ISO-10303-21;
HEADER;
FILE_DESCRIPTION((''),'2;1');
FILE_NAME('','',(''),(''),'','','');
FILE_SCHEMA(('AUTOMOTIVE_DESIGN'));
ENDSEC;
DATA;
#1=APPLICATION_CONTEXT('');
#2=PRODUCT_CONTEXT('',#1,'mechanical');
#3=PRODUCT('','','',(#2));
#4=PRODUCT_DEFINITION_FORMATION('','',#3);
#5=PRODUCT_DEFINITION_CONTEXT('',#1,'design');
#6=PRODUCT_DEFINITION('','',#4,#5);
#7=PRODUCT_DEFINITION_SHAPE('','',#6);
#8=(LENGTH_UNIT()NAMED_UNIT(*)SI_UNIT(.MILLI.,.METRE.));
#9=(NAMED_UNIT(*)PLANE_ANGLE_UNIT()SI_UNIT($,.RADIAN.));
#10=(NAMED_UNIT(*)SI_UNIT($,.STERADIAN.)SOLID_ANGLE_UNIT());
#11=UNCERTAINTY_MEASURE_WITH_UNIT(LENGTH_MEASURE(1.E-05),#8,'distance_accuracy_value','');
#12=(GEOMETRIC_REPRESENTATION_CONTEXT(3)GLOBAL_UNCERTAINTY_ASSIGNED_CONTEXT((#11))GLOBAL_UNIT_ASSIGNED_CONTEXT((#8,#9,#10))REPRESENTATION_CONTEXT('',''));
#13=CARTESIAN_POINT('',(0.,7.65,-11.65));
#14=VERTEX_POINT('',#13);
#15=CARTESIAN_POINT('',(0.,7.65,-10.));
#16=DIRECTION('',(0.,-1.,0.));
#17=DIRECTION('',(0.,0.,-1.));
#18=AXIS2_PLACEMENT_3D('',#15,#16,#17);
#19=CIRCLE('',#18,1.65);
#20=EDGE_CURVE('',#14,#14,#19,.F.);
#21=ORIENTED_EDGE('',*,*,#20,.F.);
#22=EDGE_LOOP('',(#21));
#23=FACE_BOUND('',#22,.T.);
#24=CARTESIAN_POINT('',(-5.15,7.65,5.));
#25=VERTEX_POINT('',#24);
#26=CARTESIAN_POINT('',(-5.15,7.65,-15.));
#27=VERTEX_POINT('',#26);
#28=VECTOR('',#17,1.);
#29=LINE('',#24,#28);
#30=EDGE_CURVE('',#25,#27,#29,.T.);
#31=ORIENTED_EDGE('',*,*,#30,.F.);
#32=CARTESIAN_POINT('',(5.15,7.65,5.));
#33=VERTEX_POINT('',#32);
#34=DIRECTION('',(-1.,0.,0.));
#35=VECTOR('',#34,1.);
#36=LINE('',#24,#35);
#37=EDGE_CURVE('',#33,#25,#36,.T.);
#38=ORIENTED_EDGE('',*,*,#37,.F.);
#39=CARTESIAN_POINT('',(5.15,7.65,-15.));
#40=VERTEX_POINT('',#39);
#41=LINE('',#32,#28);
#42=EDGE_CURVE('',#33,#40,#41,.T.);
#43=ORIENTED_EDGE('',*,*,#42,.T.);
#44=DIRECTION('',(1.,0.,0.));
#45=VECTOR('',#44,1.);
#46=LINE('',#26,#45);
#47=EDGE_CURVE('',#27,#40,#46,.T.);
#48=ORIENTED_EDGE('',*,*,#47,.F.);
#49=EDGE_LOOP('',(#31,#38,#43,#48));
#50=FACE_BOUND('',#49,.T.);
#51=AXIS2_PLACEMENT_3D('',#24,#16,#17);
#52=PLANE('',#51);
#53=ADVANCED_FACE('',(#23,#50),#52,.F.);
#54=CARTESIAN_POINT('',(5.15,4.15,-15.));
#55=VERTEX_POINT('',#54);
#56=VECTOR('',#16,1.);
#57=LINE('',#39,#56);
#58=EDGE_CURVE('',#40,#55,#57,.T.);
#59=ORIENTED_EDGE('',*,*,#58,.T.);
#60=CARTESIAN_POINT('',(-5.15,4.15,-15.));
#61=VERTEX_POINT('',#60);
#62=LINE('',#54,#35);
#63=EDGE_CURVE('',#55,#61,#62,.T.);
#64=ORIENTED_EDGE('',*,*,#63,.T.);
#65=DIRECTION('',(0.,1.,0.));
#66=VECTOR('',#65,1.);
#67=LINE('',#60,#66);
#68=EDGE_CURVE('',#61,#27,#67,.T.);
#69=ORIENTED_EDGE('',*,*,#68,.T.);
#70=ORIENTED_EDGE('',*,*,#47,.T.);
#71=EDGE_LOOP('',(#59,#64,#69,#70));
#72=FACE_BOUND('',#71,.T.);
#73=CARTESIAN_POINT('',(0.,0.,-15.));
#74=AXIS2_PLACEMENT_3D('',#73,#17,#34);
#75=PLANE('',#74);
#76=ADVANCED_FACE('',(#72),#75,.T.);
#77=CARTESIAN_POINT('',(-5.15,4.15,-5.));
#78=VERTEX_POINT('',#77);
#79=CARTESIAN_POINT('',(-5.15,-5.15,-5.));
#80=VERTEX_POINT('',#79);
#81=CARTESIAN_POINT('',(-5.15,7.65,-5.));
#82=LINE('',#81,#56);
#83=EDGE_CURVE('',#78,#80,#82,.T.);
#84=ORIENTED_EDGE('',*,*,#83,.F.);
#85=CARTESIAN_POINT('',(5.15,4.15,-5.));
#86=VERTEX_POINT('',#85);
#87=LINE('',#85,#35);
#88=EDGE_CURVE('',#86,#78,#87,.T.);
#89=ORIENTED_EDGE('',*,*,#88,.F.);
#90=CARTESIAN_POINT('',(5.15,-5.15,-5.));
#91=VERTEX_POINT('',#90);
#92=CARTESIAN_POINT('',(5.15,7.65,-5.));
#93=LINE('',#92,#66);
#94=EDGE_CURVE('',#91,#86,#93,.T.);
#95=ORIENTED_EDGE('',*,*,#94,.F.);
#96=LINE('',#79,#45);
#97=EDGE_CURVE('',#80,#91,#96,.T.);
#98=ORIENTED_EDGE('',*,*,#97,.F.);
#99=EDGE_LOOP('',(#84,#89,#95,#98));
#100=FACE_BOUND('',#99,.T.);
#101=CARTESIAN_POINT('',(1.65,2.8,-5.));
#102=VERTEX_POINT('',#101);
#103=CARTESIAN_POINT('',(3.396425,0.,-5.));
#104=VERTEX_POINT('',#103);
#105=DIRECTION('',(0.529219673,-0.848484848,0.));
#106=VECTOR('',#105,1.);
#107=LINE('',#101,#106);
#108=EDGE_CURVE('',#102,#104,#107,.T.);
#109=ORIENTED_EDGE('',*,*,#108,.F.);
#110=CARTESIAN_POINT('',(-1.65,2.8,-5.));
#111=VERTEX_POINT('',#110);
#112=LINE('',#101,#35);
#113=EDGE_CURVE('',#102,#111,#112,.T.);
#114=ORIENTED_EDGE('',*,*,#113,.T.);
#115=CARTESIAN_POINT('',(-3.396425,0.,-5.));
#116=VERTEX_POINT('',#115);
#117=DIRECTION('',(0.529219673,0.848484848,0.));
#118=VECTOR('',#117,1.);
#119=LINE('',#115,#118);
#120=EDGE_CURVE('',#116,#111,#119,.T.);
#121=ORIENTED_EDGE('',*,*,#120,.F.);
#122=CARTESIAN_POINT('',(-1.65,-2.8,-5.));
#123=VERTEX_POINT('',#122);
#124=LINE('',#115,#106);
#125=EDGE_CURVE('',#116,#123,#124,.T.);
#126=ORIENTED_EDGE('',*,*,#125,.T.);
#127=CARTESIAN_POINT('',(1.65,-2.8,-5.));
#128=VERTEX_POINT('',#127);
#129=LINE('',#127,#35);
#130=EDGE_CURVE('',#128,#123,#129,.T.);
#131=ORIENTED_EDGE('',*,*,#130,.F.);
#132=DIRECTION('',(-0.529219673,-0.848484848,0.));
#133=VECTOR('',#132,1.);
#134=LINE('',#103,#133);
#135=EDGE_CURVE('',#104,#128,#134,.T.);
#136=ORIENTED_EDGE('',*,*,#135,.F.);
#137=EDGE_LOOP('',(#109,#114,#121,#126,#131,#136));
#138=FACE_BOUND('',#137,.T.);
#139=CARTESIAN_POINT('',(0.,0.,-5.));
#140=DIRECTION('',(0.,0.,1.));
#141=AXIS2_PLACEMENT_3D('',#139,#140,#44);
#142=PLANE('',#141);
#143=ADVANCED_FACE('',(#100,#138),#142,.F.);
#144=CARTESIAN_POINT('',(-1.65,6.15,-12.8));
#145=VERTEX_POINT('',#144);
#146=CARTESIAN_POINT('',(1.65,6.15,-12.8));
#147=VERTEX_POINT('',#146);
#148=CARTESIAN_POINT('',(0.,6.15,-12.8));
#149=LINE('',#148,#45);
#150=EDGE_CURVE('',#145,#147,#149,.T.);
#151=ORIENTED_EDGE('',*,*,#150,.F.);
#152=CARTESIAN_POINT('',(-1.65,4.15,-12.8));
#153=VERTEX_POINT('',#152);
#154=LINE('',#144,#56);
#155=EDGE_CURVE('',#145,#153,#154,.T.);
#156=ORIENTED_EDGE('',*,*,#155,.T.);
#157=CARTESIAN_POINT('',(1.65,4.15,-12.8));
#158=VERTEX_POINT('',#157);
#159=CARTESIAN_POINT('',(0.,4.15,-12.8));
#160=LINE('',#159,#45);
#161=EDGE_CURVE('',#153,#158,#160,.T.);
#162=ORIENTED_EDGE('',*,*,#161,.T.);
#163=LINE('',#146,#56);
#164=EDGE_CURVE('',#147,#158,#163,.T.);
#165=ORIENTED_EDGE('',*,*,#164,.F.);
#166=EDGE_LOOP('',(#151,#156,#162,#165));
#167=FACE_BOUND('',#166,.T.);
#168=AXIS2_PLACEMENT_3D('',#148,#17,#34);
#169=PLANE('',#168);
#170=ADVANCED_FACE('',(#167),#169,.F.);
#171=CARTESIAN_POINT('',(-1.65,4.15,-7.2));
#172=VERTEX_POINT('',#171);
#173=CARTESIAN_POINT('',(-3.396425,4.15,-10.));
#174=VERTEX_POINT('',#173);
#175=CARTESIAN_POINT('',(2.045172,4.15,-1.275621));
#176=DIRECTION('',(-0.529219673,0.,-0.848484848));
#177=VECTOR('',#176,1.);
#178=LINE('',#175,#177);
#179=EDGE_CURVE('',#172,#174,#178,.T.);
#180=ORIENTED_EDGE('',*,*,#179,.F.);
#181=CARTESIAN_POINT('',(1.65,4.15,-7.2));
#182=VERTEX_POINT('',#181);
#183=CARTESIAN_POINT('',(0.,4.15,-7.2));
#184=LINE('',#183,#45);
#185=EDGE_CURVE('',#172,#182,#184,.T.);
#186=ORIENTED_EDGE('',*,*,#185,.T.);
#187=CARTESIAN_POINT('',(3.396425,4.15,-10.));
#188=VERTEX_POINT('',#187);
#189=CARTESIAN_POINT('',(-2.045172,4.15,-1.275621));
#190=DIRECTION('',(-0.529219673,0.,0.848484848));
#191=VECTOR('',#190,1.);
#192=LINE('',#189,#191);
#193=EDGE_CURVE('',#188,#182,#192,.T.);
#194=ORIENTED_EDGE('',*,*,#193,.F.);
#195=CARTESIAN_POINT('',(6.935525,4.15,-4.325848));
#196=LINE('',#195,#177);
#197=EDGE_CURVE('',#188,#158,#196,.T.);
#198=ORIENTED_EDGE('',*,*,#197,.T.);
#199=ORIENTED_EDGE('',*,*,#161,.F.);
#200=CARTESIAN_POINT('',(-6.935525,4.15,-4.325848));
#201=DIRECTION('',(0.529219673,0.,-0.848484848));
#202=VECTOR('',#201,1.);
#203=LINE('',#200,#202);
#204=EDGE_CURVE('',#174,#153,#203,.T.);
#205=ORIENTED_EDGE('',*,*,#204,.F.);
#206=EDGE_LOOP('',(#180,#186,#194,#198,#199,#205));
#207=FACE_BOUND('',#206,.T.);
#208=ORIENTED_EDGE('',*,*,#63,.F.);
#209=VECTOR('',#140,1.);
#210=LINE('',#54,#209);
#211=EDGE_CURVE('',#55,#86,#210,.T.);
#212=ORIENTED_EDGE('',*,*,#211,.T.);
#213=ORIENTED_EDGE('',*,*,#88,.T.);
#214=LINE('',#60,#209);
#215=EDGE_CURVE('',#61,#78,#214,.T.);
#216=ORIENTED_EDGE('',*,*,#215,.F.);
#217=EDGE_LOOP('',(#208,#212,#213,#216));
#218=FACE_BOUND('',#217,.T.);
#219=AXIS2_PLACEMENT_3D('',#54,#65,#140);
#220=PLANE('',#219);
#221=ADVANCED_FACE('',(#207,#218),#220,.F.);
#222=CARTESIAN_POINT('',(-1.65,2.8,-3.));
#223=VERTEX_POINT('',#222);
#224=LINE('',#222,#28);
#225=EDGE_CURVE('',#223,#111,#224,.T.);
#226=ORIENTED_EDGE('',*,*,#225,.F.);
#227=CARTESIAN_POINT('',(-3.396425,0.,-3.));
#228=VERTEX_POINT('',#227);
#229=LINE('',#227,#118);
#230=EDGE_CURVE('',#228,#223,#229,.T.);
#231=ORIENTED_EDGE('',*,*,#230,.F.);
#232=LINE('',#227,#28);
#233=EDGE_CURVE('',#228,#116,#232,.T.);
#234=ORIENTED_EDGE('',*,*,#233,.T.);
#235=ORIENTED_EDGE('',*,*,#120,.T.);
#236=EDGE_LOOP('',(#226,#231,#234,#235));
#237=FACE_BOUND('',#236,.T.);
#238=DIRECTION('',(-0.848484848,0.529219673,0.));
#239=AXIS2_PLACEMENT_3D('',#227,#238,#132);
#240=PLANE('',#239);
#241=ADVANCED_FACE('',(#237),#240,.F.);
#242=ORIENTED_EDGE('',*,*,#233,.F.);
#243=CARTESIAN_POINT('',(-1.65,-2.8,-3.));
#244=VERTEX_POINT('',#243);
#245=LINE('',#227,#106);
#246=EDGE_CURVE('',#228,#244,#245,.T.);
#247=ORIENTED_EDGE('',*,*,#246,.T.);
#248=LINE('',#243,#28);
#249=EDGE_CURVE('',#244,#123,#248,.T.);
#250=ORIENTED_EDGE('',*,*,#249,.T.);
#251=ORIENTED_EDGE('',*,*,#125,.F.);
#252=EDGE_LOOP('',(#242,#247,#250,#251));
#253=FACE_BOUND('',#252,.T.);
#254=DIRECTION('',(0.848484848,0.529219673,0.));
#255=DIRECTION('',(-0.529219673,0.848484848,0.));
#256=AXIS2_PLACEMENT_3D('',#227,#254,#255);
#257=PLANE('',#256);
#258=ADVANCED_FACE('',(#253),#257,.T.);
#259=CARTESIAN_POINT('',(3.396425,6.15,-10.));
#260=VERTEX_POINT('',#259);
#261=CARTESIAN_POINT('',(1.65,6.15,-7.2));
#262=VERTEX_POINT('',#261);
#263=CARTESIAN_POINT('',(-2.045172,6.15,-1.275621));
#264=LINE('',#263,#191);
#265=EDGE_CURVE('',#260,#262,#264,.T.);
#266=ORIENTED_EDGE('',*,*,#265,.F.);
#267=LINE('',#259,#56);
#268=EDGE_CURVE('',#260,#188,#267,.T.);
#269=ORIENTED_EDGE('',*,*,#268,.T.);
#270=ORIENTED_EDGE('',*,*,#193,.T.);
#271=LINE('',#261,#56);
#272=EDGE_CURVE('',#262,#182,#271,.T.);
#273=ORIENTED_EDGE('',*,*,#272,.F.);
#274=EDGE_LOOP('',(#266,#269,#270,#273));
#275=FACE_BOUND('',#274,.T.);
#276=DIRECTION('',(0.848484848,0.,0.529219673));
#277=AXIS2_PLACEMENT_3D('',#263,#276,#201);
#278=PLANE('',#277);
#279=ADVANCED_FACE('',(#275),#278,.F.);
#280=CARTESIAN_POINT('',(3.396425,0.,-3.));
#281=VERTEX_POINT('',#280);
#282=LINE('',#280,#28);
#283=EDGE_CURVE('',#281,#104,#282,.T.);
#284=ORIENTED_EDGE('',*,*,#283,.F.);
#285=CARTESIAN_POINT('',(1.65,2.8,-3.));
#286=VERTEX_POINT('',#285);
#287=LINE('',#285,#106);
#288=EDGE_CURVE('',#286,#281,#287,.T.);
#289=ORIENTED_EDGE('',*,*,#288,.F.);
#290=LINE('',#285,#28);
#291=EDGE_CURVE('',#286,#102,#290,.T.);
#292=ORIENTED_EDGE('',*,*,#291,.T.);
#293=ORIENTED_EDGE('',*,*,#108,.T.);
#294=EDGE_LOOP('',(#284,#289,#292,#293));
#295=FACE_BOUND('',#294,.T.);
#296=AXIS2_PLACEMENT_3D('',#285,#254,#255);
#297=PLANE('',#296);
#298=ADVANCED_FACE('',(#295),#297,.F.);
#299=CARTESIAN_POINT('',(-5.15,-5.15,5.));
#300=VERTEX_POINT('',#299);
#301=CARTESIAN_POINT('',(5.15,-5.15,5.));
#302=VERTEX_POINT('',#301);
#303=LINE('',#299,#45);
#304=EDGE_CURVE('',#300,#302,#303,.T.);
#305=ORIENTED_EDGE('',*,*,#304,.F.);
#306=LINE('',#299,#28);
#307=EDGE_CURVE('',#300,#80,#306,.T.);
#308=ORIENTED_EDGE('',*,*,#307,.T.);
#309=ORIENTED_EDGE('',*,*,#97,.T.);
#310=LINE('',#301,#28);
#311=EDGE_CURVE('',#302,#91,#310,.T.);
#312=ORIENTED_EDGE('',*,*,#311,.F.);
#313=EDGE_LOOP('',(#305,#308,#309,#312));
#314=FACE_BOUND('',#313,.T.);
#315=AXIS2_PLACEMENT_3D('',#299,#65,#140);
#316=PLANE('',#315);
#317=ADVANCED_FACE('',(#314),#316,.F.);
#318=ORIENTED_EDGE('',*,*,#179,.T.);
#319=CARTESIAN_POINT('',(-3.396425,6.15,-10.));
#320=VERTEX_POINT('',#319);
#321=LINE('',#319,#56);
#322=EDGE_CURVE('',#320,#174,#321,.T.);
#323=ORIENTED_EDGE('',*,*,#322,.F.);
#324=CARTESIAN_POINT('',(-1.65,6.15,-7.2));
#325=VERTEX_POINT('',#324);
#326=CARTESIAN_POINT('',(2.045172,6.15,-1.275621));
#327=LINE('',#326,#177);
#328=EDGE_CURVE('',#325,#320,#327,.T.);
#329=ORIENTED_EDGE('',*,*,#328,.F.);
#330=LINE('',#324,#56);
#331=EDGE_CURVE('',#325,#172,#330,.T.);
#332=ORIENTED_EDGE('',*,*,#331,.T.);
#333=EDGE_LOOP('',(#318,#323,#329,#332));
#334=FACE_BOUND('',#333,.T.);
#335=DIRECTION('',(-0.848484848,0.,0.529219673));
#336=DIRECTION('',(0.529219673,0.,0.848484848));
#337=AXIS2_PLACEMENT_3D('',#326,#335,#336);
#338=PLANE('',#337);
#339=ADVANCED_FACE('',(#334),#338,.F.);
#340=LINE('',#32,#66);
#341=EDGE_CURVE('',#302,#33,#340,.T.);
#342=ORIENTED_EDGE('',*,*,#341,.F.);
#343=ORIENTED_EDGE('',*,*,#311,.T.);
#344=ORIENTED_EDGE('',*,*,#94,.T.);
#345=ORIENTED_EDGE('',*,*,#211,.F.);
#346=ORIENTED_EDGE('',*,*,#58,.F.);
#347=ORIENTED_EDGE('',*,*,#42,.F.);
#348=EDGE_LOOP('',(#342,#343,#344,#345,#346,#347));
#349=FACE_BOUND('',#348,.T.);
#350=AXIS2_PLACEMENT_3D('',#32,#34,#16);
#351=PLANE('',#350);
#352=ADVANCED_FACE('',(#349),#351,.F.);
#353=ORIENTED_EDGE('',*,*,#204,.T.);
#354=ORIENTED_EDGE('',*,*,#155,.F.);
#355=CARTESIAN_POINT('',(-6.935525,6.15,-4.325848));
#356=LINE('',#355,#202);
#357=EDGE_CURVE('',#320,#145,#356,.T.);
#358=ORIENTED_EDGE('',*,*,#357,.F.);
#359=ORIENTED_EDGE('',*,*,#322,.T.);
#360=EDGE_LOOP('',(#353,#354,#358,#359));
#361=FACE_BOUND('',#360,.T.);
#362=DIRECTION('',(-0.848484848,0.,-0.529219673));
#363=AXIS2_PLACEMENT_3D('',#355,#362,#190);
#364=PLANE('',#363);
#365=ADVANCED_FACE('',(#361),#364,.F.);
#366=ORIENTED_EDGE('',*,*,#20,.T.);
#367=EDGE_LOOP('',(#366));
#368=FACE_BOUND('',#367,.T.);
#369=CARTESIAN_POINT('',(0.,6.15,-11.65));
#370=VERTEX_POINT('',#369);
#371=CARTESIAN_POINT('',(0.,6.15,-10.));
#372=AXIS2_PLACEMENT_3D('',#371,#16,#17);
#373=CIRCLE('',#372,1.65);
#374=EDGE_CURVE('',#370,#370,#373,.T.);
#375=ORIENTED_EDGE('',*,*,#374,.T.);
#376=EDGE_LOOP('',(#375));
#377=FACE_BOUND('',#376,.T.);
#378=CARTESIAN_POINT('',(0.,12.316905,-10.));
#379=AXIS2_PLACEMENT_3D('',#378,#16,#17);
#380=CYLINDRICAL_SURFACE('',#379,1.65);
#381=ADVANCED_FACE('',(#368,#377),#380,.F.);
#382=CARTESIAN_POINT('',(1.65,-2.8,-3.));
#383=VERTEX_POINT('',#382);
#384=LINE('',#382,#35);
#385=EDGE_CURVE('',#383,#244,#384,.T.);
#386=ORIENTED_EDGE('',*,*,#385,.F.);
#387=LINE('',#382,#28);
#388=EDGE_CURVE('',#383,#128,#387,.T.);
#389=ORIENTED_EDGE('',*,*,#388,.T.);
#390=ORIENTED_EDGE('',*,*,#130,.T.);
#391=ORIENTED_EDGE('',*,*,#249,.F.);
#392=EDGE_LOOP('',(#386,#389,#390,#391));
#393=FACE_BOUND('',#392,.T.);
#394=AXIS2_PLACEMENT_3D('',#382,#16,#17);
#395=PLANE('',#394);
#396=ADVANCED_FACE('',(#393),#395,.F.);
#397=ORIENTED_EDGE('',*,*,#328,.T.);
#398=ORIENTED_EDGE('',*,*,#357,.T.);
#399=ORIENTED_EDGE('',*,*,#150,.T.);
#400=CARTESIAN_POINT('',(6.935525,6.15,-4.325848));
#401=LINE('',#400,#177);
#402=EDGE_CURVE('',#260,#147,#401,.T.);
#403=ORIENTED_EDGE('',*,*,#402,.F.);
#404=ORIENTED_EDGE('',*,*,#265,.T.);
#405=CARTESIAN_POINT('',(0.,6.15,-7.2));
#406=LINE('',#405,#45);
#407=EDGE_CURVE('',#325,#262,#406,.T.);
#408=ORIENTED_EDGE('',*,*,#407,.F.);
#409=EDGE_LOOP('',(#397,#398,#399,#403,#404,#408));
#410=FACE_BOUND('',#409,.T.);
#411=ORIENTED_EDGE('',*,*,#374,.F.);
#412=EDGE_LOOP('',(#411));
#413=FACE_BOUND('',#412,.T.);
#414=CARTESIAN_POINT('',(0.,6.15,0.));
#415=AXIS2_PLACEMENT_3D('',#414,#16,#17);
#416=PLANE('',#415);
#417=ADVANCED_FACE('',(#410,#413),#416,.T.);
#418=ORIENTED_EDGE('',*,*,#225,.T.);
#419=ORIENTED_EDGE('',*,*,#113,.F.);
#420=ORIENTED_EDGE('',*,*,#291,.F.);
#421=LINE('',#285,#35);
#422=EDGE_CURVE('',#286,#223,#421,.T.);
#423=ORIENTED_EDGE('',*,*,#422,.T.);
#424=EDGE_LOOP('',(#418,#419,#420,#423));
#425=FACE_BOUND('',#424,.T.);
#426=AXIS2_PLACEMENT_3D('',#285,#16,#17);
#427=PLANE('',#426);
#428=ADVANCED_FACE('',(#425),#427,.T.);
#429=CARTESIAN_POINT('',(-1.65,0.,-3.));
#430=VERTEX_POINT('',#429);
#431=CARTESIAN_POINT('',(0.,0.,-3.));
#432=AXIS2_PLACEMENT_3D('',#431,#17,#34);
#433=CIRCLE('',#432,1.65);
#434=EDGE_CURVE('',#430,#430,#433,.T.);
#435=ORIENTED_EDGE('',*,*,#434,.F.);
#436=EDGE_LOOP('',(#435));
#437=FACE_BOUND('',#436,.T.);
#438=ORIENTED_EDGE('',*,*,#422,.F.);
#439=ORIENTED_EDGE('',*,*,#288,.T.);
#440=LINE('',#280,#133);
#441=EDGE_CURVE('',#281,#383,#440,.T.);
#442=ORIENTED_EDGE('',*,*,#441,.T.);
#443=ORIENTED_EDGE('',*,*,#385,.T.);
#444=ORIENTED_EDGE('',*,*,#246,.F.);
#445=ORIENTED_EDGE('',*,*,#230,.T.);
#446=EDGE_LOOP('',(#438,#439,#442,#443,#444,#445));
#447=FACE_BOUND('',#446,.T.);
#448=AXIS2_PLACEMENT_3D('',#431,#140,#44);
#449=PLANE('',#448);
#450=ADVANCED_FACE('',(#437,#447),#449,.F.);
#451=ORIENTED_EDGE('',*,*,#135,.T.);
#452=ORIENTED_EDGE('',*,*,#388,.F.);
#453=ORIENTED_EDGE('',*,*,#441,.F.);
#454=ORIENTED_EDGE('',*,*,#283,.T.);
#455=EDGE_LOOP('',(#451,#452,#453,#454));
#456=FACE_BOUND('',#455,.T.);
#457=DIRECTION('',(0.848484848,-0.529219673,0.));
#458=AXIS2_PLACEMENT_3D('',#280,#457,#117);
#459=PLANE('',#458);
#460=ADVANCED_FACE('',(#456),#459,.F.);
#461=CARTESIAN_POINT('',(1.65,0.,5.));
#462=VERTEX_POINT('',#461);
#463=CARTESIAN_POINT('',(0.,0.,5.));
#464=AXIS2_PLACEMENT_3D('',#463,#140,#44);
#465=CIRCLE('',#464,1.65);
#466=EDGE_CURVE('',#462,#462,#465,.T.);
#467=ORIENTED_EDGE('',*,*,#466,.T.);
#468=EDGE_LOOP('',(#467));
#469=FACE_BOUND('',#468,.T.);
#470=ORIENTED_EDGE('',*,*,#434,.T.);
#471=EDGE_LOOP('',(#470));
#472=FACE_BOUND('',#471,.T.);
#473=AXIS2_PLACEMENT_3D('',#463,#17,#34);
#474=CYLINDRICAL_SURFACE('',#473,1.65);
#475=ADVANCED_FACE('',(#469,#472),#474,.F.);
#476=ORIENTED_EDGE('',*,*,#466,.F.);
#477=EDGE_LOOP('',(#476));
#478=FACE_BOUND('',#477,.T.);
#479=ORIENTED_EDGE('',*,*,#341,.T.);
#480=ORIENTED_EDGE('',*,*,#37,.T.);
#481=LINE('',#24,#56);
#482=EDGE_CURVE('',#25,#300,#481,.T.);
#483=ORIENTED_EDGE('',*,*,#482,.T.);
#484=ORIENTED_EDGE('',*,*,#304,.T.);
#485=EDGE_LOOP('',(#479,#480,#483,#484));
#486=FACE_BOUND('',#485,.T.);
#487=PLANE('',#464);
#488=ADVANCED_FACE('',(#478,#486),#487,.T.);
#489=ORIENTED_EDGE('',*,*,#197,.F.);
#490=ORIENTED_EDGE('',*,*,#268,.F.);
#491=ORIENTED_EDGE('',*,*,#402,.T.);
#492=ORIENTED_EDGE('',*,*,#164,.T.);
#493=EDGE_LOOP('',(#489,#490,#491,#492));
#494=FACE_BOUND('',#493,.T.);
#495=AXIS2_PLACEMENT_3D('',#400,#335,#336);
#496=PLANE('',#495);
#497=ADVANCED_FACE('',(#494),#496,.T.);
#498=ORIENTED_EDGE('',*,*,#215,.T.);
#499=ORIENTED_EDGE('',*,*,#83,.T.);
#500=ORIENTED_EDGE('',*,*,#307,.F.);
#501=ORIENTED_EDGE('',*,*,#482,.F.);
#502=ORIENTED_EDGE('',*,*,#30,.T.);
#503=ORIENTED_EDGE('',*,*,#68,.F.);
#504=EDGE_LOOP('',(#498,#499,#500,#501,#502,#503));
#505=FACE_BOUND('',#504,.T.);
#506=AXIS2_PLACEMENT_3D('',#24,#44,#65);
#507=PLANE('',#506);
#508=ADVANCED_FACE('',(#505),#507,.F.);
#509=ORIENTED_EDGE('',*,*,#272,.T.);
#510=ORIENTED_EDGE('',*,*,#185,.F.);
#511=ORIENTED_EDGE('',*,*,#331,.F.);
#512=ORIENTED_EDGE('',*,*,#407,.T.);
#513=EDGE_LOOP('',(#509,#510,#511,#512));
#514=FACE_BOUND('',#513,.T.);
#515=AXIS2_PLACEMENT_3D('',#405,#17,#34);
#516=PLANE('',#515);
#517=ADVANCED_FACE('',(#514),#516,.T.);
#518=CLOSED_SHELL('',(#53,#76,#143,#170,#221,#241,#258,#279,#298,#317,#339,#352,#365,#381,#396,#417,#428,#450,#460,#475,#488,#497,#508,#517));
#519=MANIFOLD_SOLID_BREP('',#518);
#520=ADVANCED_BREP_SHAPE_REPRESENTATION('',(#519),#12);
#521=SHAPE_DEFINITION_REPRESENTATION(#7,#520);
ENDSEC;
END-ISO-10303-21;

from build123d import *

# Parameters (mm, degrees)
SKETCH1_W           = 10.3
SKETCH1_H           = 12.8
SKETCH1_R           = 1.65
BOSS_EXTRUDE2_DEPTH = 5
SKETCH2_R           = 1.65
CUT_EXTRUDE1_DEPTH  = 2
SKETCH3_W           = 10.3
SKETCH3_H           = 3.5
BOSS_EXTRUDE3_DEPTH = 10
CUT_EXTRUDE2_DEPTH  = 2
SKETCH5_R           = 1.65
CUT_EXTRUDE3_DEPTH  = 1.5


with BuildPart() as part:
    # Sketch1 → Boss-Extrude2 (new, symmetric)
    with BuildSketch(Plane.XY):
        with Locations((0, 1.25)):
            Rectangle(SKETCH1_W, SKETCH1_H)
        Circle(SKETCH1_R, mode=Mode.SUBTRACT)
    extrude(amount=BOSS_EXTRUDE2_DEPTH, both=True)

    # Sketch2 → Cut-Extrude1 (cut)
    with BuildSketch(Plane(origin=(0, 0, -5), x_dir=(-1, 0, 0), z_dir=(0, 0, -1))):
        Polygon((-1.65, -2.8), (1.65, -2.8), (3.39642492, 0), (1.65, 2.8), (-1.65, 2.8), (-3.39642492, 0), align=None)
        Circle(SKETCH2_R, mode=Mode.SUBTRACT)
    extrude(amount=-CUT_EXTRUDE1_DEPTH, mode=Mode.SUBTRACT)

    # Sketch3 → Boss-Extrude3 (add)
    with BuildSketch(Plane(origin=(0, 0, -5), x_dir=(-1, 0, 0), z_dir=(0, 0, -1))):
        with Locations((0, 5.9)):
            Rectangle(SKETCH3_W, SKETCH3_H)
    extrude(amount=BOSS_EXTRUDE3_DEPTH)

    # Sketch4 → Cut-Extrude2 (cut)
    with BuildSketch(Plane.XZ.offset(-4.15)):
        with BuildLine():
            Line((-1.65, -10), (-3.39642492, -10))
            Line((-3.39642492, -10), (-1.65, -12.8))
            Line((-1.65, -12.8), (1.65, -12.8))
            Line((1.65, -12.8), (3.39642492, -10))
            Line((3.39642492, -10), (1.65, -10))
            ThreePointArc((1.65, -10), (0, -11.65), (-1.65, -10))
        make_face()
        with BuildLine():
            Line((-1.65, -7.2), (-3.39642492, -10))
            Line((-3.39642492, -10), (-1.65, -10))
            ThreePointArc((-1.65, -10), (0, -8.35), (1.65, -10))
            Line((1.65, -10), (3.39642492, -10))
            Line((3.39642492, -10), (1.65, -7.2))
            Line((1.65, -7.2), (-1.65, -7.2))
        make_face()
        with BuildLine():
            ThreePointArc((1.65, -10), (0, -8.35), (-1.65, -10))
            Line((-1.65, -10), (1.65, -10))
        make_face()
        with BuildLine():
            Line((1.65, -10), (-1.65, -10))
            ThreePointArc((-1.65, -10), (0, -11.65), (1.65, -10))
        make_face()
    extrude(amount=-CUT_EXTRUDE2_DEPTH, mode=Mode.SUBTRACT)

    # Sketch5 → Cut-Extrude3 (cut)
    with BuildSketch(Plane.XZ.offset(-6.15)):
        with Locations(Location((0, -10, 0), (0, 0, 270))):
            Circle(SKETCH5_R)
    extrude(amount=-CUT_EXTRUDE3_DEPTH, mode=Mode.SUBTRACT)


solid = part.part
